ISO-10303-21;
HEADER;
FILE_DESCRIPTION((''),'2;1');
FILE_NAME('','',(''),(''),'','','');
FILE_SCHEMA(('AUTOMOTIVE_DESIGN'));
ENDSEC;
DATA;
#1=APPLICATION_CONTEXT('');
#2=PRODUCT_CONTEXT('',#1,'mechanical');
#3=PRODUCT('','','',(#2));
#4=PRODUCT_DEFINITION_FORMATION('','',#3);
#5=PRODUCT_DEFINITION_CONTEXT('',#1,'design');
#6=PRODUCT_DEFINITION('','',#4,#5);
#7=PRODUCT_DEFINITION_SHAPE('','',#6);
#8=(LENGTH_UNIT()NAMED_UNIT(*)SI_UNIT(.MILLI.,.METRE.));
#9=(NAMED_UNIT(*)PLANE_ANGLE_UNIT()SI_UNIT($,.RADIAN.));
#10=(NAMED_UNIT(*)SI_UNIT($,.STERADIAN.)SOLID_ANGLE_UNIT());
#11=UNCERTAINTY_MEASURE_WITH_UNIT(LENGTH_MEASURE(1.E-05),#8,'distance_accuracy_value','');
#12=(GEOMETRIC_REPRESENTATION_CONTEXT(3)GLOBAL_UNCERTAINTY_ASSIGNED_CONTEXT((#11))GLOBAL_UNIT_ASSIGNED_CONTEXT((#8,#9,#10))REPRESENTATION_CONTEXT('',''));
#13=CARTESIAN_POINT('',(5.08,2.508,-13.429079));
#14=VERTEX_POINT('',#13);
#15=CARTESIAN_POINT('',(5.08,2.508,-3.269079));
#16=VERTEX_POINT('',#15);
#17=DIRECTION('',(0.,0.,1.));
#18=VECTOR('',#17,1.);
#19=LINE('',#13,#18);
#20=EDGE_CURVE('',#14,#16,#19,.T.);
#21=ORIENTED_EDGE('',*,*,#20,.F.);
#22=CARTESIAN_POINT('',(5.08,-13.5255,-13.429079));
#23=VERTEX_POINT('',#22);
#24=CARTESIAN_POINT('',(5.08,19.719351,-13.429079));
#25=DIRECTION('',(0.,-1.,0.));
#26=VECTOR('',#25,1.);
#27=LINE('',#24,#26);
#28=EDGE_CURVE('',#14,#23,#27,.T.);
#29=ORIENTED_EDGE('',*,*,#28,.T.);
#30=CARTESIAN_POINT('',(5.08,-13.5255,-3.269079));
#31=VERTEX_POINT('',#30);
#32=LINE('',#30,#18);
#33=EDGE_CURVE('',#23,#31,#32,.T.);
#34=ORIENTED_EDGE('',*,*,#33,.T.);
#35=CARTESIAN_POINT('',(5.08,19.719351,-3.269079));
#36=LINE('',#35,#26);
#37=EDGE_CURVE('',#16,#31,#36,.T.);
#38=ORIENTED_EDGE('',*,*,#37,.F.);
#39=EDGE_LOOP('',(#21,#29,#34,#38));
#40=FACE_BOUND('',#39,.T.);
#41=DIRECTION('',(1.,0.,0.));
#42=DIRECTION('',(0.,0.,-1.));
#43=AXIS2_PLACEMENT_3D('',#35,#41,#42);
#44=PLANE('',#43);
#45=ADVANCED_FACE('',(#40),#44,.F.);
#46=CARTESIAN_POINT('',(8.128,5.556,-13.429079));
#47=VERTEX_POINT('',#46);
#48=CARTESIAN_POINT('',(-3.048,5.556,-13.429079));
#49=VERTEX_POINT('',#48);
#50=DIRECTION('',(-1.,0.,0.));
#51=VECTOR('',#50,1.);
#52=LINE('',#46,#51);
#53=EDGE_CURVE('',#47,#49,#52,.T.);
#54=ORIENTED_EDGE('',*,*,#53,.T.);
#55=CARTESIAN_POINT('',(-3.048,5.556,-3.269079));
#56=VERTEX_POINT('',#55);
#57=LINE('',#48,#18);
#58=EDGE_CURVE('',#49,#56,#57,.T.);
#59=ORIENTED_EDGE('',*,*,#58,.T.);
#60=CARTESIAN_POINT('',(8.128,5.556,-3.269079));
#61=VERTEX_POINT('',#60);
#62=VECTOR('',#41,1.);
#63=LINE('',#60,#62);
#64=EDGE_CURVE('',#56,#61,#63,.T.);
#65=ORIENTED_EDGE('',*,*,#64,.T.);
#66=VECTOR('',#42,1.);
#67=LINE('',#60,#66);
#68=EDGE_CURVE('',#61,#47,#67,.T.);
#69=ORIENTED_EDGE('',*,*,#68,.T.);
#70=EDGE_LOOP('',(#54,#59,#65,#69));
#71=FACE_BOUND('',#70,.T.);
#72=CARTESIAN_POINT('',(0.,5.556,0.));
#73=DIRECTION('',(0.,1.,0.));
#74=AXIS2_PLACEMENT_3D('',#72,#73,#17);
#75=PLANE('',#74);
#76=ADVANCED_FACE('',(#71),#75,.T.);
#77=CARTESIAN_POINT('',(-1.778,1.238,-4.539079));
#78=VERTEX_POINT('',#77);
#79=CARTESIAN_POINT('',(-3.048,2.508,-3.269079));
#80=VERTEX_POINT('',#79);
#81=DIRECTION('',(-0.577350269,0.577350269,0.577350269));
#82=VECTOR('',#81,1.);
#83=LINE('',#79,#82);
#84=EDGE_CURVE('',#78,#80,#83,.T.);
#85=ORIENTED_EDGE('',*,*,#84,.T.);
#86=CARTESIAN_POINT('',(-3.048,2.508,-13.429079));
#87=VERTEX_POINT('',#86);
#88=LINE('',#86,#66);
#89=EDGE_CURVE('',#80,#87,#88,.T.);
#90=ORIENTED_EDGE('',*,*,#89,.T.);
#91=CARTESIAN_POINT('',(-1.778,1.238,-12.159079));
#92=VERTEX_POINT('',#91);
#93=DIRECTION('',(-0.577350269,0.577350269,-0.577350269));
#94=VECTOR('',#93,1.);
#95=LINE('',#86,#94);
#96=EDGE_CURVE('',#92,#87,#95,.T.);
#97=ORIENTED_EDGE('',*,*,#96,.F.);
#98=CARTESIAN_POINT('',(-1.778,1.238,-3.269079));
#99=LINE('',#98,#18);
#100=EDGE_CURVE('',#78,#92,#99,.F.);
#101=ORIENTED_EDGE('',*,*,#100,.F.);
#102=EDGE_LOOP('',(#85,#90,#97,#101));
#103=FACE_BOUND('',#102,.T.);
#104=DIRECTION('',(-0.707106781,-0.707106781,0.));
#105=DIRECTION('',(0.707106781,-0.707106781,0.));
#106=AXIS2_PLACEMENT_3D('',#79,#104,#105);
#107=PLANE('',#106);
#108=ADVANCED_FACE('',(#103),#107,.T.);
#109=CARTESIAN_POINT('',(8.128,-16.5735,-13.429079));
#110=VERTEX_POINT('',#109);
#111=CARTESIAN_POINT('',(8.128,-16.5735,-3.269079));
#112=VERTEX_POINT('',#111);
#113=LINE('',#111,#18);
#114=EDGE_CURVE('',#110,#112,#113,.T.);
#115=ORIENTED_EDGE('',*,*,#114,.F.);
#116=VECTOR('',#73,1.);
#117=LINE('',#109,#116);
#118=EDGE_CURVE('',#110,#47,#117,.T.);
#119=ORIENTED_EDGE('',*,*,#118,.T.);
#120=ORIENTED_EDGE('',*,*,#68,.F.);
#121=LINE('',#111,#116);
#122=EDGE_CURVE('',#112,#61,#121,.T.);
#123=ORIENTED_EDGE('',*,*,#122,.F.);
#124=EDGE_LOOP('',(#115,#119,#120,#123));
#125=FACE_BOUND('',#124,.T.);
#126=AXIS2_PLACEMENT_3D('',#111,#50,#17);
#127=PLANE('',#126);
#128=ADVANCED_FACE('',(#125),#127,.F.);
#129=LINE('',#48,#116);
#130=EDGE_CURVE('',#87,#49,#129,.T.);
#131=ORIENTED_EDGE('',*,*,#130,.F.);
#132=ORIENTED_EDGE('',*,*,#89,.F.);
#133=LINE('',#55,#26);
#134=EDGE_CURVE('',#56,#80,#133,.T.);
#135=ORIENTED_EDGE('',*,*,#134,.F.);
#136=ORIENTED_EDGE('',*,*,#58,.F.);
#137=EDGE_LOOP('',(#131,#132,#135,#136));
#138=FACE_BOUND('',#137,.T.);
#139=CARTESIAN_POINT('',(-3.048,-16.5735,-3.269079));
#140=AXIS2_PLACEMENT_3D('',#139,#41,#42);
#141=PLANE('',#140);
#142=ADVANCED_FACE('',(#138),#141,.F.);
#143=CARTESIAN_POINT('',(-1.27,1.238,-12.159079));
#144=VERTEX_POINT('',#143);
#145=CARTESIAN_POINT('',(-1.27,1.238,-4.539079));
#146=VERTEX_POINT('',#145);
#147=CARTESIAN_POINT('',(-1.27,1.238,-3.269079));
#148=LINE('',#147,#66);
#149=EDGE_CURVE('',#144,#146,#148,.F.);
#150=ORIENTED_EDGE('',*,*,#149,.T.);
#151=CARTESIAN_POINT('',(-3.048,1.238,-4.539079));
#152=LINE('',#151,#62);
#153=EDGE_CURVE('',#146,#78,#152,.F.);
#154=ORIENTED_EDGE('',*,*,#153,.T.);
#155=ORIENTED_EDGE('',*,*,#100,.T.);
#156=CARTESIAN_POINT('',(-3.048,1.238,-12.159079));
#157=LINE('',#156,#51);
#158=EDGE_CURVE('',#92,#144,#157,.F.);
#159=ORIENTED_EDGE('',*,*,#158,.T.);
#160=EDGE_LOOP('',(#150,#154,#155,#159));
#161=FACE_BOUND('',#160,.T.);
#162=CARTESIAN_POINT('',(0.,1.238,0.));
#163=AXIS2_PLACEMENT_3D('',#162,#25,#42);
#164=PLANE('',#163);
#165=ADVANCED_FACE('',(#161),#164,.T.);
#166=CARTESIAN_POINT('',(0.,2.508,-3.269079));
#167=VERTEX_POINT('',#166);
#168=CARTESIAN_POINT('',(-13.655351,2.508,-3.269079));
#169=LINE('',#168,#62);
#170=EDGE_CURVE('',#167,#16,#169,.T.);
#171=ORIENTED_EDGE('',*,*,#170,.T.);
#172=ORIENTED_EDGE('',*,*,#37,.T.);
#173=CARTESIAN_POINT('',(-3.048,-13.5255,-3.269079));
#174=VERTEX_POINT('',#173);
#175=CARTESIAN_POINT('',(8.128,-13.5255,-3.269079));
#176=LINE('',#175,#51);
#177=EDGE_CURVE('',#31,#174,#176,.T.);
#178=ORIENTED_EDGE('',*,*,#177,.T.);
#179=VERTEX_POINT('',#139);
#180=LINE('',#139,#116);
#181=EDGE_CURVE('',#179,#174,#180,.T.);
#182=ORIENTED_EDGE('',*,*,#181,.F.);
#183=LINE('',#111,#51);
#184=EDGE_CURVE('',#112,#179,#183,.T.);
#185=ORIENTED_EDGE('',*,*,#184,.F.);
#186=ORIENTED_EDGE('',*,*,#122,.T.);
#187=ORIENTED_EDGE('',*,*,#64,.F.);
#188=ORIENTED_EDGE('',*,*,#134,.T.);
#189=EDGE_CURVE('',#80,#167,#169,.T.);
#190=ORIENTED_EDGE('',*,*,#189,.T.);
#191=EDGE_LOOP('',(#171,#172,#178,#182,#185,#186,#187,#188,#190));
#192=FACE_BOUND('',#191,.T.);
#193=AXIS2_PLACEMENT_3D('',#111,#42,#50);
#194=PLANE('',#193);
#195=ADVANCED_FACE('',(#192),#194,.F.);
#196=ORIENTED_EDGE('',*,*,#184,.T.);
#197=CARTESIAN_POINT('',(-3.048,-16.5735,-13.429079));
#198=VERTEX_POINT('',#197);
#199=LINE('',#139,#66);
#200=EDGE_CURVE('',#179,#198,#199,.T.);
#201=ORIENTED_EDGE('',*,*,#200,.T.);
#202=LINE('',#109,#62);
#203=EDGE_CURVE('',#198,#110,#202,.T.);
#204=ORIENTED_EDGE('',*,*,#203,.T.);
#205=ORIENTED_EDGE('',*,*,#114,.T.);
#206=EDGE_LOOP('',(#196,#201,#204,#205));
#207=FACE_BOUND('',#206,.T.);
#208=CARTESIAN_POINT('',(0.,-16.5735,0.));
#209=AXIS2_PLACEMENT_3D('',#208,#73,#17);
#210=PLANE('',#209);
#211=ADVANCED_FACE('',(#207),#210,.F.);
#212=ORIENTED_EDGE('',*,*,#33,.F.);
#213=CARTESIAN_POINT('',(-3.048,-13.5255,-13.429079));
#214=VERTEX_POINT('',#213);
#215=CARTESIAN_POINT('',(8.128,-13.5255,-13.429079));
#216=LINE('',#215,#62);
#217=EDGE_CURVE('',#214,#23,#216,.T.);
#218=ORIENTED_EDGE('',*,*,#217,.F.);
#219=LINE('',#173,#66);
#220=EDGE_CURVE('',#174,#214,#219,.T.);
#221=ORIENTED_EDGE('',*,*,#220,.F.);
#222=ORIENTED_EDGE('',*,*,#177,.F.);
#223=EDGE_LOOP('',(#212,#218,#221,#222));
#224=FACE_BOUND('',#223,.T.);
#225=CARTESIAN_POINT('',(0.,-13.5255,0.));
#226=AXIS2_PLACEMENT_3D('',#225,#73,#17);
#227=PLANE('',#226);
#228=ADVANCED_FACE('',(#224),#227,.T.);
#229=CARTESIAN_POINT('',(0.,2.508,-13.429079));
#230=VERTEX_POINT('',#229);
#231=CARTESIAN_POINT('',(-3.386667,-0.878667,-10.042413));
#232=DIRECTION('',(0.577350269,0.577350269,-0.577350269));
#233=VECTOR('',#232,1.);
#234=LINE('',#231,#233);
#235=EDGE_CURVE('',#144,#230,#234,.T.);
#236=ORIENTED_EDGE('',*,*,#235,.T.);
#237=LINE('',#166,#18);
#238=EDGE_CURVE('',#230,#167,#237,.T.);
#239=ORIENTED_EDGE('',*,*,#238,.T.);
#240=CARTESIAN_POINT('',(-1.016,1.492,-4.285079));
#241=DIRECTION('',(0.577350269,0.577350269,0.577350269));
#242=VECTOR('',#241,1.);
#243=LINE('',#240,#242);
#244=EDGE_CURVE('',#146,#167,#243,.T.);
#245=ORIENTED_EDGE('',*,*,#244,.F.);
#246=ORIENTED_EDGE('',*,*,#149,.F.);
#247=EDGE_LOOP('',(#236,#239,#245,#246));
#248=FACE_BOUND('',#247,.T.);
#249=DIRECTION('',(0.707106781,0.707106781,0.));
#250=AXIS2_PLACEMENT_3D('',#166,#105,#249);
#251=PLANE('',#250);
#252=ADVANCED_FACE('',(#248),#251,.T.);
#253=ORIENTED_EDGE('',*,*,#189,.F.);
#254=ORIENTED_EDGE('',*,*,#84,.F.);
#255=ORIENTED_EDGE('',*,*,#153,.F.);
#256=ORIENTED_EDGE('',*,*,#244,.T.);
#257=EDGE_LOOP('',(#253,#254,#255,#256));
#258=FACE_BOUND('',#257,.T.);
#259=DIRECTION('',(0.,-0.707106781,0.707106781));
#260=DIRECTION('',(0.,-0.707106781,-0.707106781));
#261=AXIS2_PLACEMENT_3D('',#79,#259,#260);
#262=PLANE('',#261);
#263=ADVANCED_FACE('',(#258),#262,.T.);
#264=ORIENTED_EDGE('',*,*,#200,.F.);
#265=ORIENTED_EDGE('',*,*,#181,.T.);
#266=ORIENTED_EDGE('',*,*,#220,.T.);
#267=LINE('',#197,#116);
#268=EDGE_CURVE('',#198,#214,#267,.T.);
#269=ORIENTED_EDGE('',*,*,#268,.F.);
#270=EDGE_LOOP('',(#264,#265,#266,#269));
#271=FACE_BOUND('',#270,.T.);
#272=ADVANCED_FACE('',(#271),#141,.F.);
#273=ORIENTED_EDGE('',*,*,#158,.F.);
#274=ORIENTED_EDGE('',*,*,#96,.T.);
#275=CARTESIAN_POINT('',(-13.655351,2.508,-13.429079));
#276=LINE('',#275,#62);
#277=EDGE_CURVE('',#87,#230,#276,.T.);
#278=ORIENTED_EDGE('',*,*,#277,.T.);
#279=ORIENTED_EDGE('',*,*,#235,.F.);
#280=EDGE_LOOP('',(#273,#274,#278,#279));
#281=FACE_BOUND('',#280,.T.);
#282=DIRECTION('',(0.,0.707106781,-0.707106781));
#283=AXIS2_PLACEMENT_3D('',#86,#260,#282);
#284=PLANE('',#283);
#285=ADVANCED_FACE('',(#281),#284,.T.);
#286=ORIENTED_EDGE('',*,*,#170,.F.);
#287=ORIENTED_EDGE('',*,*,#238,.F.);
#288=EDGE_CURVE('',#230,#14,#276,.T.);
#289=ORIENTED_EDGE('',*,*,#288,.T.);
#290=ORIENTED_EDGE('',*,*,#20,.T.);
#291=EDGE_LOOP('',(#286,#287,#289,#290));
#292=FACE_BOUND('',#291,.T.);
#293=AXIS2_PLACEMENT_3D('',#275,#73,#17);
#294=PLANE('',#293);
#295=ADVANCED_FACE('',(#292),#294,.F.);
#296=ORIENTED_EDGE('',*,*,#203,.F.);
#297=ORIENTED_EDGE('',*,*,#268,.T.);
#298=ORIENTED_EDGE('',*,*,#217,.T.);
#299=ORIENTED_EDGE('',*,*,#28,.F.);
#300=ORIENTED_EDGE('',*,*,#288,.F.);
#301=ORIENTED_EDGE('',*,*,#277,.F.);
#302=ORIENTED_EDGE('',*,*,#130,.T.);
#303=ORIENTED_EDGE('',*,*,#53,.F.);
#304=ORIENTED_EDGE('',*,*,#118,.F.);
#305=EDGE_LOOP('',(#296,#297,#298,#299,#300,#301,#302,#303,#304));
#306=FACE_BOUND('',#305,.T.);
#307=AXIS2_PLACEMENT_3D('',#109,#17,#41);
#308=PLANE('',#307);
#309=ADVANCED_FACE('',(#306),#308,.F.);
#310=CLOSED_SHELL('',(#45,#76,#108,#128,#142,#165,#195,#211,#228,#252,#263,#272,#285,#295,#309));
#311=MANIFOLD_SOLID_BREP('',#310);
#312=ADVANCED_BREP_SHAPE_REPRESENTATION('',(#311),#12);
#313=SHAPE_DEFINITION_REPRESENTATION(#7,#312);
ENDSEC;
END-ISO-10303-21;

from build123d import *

# Parameters (mm, degrees)
SKETCH1_W           = 11.176
SKETCH1_H           = 10.16
BOSS_EXTRUDE1_DEPTH = 3.048
SKETCH2_W           = 3.048
SKETCH2_H           = 10.16
BOSS_EXTRUDE2_DEPTH = 19.0815
SKETCH3_W           = 10.16
SKETCH3_H           = 3.048
BOSS_EXTRUDE3_DEPTH = 8.128
SKETCH4_W           = 3.048
SKETCH4_H           = 10.16
BOSS_EXTRUDE4_DEPTH = 1.27
BOSS_EXTRUDE4_TAPER = 45


with BuildPart() as part:
    # Sketch1 → Boss-Extrude1 (new body)
    with BuildSketch(Plane.XZ.offset(13.5255)):
        with Locations((2.54, -8.349079223)):
            Rectangle(SKETCH1_W, SKETCH1_H)
    extrude(amount=BOSS_EXTRUDE1_DEPTH)

    # Sketch2 → Boss-Extrude2 (add)
    with BuildSketch(Plane(origin=(0, -13.5255, 0), x_dir=(1, 0, 0), z_dir=(0, 1, 0))):
        with Locations((6.604, 8.349079223)):
            Rectangle(SKETCH2_W, SKETCH2_H)
    extrude(amount=BOSS_EXTRUDE2_DEPTH)

    # Sketch3 → Boss-Extrude3 (add)
    with BuildSketch(Plane.ZY.offset(-5.08)):
        with Locations((-8.349079223, 4.032)):
            Rectangle(SKETCH3_W, SKETCH3_H)
    extrude(amount=BOSS_EXTRUDE3_DEPTH)

    # Sketch4 → Boss-Extrude4 (add)
    with BuildSketch(Plane.XZ.offset(-2.508)):
        with Locations((-1.524, -8.349079223)):
            Rectangle(SKETCH4_W, SKETCH4_H)
    extrude(amount=BOSS_EXTRUDE4_DEPTH, taper=BOSS_EXTRUDE4_TAPER)


solid = part.part
